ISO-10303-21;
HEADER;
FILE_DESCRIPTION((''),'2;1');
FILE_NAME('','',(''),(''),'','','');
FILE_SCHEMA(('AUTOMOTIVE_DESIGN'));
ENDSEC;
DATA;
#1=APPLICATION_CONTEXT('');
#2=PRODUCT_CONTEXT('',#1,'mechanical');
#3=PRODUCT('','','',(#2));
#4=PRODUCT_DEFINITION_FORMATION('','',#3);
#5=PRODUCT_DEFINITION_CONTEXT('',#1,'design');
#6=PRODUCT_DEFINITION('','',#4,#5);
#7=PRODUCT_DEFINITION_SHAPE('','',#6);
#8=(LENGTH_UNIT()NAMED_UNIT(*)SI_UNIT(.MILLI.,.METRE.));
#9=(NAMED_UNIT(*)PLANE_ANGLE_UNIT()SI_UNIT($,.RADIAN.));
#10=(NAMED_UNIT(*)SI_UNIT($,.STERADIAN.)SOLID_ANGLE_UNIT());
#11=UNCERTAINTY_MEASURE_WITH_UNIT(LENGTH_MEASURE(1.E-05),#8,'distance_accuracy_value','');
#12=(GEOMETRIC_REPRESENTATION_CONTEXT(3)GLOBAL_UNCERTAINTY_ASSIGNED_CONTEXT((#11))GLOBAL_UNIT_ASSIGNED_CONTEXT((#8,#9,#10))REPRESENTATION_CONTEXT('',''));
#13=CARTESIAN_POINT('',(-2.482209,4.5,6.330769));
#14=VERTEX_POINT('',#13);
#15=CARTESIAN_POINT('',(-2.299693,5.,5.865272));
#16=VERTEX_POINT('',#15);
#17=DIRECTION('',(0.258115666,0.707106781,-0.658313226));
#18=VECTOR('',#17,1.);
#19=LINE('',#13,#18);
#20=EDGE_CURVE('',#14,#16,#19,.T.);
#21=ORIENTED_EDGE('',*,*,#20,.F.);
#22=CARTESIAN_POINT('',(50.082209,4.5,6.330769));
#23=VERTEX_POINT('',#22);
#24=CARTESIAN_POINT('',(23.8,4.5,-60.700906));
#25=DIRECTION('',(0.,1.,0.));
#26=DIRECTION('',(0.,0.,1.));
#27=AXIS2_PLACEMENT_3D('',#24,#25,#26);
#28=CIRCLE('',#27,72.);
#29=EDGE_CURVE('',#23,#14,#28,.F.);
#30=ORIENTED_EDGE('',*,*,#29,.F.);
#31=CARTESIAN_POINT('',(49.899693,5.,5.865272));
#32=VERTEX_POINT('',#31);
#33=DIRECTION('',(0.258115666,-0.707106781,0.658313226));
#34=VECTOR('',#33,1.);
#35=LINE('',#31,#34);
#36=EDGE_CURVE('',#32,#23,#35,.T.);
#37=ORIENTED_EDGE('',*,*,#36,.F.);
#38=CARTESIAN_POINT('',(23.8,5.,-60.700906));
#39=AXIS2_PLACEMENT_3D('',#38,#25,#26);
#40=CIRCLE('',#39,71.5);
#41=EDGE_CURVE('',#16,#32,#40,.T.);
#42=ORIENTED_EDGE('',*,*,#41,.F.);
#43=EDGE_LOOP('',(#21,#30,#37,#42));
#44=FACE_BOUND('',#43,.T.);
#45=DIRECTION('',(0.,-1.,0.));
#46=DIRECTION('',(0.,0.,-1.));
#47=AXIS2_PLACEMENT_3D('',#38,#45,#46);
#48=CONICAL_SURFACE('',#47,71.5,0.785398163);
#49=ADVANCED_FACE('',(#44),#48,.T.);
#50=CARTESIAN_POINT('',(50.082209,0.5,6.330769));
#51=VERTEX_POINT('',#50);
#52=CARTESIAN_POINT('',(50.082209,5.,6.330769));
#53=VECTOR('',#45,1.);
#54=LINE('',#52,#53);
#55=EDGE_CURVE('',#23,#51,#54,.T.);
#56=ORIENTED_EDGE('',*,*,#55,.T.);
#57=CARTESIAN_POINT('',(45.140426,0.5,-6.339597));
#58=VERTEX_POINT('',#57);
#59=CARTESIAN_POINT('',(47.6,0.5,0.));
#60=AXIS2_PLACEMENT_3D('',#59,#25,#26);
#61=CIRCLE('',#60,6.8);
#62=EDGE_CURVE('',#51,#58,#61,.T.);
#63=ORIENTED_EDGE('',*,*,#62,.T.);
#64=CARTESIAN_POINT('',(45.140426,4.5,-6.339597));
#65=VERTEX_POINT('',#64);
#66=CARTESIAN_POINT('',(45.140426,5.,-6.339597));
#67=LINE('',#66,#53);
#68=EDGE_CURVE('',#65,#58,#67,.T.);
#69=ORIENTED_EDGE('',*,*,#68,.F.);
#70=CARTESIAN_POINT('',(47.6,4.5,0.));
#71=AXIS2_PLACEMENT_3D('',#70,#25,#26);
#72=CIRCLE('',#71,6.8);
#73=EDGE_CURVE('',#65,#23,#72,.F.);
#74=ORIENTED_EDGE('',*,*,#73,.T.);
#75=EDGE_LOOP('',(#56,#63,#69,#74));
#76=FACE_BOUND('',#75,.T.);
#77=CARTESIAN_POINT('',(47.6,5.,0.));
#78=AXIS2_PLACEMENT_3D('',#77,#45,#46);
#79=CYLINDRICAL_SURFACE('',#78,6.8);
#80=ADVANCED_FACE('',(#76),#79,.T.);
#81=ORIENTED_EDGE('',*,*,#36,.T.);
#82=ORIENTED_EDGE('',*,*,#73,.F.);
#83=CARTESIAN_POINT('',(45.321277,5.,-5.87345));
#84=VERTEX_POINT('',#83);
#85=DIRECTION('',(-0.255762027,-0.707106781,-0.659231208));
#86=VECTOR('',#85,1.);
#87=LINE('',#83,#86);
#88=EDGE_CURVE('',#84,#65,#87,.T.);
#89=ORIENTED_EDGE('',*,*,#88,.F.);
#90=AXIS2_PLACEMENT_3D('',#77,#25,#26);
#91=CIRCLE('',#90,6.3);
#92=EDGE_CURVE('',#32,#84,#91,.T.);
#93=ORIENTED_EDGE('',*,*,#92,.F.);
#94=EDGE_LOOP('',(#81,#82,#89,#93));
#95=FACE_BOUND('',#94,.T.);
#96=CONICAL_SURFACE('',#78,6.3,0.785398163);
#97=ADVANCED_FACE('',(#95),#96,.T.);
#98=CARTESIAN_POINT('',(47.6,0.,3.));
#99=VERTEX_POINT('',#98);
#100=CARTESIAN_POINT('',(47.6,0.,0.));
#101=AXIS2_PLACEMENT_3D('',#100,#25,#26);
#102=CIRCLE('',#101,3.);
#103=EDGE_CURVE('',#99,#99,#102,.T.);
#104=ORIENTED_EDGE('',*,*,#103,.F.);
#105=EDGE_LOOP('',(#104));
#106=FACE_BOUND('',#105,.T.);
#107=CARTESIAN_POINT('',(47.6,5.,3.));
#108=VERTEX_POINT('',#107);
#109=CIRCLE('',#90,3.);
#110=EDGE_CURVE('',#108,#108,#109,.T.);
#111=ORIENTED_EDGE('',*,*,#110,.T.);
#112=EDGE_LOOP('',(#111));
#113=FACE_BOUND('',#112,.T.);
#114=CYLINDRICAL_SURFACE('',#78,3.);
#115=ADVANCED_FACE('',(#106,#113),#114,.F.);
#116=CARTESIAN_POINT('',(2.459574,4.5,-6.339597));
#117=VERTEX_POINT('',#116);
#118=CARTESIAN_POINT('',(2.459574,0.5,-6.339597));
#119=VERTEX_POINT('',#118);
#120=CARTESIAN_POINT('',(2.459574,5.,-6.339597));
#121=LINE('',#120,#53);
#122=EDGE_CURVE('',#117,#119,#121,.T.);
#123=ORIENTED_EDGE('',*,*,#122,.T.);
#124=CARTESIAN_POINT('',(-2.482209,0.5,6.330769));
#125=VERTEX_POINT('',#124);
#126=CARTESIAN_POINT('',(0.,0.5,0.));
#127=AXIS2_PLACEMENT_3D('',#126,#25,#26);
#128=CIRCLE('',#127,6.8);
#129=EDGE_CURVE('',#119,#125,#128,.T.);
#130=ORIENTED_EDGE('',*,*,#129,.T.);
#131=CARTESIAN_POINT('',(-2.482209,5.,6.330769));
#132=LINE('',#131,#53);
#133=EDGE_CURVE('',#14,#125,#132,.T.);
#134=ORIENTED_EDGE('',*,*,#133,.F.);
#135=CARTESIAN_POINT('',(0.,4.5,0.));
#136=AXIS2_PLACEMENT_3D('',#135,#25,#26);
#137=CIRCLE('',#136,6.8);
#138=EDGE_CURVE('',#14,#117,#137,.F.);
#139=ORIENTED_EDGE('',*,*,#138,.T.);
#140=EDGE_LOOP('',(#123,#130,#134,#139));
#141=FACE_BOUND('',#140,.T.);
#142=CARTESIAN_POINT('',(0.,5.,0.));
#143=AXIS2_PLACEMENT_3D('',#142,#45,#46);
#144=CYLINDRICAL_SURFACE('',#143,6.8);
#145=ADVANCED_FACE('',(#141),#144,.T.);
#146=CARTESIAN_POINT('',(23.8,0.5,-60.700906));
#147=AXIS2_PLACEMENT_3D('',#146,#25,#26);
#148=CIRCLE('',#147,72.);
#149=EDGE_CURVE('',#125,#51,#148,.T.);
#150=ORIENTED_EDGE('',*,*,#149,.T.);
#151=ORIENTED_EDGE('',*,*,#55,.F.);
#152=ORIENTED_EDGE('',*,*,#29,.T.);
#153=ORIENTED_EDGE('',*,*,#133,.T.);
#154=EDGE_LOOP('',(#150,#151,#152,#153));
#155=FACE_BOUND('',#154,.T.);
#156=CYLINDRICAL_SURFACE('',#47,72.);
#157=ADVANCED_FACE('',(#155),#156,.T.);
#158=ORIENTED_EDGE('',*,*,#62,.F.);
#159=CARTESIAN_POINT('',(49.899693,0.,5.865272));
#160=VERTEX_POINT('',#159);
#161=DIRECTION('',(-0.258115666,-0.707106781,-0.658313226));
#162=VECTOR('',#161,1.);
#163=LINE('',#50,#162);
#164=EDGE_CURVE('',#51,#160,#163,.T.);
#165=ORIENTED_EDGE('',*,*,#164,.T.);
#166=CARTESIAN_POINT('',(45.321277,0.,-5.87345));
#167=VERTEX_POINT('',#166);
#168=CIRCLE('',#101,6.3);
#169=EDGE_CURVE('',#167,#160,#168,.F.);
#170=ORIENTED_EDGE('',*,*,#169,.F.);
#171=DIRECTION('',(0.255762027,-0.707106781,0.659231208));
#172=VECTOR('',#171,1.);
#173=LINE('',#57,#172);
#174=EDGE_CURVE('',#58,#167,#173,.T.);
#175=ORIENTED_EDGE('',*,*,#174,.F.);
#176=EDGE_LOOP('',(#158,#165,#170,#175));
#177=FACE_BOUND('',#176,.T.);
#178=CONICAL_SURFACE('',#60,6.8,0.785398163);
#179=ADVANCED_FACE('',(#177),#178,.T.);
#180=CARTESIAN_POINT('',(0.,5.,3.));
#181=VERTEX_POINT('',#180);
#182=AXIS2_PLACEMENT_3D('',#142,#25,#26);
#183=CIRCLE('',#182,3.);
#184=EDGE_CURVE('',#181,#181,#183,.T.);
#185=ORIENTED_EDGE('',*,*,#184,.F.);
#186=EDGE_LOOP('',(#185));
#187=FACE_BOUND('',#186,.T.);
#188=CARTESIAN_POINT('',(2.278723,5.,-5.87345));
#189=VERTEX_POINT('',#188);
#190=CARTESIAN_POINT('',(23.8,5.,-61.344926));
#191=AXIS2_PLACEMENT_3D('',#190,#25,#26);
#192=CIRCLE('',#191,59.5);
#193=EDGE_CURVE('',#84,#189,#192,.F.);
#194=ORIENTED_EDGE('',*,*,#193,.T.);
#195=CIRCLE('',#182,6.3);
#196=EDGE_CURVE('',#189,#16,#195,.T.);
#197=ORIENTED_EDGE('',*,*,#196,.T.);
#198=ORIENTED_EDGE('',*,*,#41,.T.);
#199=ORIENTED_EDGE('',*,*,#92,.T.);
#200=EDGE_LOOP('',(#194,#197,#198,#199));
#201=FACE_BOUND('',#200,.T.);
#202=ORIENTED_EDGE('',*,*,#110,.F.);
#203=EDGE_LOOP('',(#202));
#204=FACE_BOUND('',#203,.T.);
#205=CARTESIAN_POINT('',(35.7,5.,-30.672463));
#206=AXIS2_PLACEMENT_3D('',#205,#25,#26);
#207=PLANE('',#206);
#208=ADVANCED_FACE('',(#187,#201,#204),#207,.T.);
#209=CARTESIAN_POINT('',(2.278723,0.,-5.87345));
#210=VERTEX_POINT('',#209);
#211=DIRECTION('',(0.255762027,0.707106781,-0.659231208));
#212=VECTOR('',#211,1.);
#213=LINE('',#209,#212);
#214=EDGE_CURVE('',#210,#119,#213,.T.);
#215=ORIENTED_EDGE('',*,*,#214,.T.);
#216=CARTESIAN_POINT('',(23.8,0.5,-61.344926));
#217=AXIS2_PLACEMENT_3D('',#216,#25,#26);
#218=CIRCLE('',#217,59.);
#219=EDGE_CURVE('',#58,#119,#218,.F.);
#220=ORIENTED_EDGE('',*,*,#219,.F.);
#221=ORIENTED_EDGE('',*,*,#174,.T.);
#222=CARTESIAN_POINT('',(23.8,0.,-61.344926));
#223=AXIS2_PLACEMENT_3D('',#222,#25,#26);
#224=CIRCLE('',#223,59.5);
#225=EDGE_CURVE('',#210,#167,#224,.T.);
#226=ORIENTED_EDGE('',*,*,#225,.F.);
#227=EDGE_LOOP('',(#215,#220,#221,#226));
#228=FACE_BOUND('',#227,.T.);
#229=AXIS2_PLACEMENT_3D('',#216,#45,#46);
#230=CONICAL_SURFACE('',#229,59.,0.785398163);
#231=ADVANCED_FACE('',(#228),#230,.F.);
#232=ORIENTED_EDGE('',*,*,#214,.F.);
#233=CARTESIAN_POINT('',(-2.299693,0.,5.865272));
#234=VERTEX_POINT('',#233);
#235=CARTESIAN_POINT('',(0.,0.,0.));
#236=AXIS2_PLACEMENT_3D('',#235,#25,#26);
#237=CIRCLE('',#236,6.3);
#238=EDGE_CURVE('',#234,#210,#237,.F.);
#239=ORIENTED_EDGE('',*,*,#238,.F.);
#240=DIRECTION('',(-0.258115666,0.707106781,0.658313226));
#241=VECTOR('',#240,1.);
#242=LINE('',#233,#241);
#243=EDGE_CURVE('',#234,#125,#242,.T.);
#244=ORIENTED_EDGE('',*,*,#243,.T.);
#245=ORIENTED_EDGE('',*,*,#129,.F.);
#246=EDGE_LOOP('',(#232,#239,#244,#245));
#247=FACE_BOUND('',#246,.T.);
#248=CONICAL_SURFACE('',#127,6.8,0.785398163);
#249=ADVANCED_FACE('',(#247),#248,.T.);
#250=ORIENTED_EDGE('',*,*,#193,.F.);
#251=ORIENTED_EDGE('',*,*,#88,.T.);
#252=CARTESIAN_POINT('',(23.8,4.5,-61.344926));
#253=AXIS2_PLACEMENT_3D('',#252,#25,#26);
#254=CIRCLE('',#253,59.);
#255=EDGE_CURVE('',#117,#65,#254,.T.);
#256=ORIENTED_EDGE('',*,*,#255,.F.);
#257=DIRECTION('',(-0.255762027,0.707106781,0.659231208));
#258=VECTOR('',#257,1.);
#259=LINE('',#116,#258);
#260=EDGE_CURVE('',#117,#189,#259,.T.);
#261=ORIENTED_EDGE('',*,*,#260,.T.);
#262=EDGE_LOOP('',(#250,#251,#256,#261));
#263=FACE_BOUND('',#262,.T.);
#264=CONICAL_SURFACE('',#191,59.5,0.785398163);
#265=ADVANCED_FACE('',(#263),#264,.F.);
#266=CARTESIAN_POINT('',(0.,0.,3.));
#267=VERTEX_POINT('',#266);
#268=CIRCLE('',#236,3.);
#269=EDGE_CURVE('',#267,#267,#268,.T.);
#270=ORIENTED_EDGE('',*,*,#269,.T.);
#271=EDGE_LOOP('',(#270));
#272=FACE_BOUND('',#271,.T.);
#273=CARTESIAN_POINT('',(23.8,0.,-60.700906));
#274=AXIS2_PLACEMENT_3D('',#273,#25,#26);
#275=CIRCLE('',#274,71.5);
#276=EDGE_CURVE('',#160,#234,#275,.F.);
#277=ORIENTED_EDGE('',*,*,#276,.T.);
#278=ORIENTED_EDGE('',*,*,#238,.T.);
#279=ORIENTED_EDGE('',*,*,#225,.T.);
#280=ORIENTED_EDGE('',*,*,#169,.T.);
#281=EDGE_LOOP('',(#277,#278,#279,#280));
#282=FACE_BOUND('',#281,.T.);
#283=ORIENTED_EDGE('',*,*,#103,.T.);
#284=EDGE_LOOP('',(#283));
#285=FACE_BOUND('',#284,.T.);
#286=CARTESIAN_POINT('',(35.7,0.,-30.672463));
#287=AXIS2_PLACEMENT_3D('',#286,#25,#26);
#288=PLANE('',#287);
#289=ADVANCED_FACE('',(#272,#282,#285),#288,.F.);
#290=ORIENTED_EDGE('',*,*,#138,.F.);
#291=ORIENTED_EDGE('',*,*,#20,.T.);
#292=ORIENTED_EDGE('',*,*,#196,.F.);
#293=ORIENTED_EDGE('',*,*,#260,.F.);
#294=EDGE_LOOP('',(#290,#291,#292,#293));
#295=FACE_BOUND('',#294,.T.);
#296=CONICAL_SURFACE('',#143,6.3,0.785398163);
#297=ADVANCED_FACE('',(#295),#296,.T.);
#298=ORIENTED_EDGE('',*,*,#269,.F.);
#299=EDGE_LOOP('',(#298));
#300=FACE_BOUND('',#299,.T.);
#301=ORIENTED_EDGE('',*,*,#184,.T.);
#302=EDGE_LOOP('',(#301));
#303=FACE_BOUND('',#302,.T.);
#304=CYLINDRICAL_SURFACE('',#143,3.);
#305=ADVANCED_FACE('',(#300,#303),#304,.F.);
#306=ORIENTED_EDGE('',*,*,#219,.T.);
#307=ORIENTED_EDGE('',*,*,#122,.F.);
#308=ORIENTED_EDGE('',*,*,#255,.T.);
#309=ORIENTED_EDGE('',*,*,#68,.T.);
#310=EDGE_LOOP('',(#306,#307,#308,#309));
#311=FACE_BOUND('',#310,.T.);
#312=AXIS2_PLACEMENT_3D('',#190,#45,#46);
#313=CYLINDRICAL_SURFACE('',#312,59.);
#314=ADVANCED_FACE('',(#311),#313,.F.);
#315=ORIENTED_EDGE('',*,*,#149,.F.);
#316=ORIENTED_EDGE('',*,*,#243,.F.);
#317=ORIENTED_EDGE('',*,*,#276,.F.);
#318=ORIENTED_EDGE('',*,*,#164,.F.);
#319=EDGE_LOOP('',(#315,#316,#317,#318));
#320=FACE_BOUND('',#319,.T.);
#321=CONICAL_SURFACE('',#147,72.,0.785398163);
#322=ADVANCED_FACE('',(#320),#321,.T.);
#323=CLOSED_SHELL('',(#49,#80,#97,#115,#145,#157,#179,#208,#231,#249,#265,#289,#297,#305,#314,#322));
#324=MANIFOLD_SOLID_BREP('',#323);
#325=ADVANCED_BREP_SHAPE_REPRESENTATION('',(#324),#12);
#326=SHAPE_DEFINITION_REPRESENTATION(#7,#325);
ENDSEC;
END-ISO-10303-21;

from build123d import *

# Parameters (mm, degrees)
SKETCH_1_R      = 3
EXTRUDE_1_DEPTH = 5
CHAMFER_1_SIZE  = 0.5


with BuildPart() as part:
    # 草图1 → 凸台-拉伸1 (new body)
    with BuildSketch(Plane(origin=(0, 0, 0), x_dir=(1, 0, 0), z_dir=(0, 1, 0))):
        with BuildLine():
            ThreePointArc((45.140425532, 6.339597261), (53.935193412, 2.470895471), (50.082208589, -6.330769347))
            ThreePointArc((50.082208589, -6.330769347), (23.8, -11.299093911), (-2.482208589, -6.330769347))
            ThreePointArc((-2.482208589, -6.330769347), (-6.335193412, 2.470895471), (2.459574468, 6.339597261))
            ThreePointArc((2.459574468, 6.339597261), (23.8, 2.344926441), (45.140425532, 6.339597261))
        make_face()
        Circle(SKETCH_1_R, mode=Mode.SUBTRACT)
        with Locations((47.6, 0)):
            Circle(SKETCH_1_R, mode=Mode.SUBTRACT)
    extrude(amount=EXTRUDE_1_DEPTH)

    # 倒角1
    chamfer_1_edges = [part.edges().sort_by_distance(p)[0] for p in [
        (23.8, 5, 11.299093911),
        (53.935193412, 5, -2.470895471),
        (23.8, 5, -2.344926441),
        (53.935193412, 0, -2.470895471),
        (23.8, 0, 11.299093911),
        (-6.335193412, 0, -2.470895471),
        (23.8, 0, -2.344926441),
        (-6.335193412, 5, -2.470895471),
    ]]
    chamfer(chamfer_1_edges, length=CHAMFER_1_SIZE)


solid = part.part
